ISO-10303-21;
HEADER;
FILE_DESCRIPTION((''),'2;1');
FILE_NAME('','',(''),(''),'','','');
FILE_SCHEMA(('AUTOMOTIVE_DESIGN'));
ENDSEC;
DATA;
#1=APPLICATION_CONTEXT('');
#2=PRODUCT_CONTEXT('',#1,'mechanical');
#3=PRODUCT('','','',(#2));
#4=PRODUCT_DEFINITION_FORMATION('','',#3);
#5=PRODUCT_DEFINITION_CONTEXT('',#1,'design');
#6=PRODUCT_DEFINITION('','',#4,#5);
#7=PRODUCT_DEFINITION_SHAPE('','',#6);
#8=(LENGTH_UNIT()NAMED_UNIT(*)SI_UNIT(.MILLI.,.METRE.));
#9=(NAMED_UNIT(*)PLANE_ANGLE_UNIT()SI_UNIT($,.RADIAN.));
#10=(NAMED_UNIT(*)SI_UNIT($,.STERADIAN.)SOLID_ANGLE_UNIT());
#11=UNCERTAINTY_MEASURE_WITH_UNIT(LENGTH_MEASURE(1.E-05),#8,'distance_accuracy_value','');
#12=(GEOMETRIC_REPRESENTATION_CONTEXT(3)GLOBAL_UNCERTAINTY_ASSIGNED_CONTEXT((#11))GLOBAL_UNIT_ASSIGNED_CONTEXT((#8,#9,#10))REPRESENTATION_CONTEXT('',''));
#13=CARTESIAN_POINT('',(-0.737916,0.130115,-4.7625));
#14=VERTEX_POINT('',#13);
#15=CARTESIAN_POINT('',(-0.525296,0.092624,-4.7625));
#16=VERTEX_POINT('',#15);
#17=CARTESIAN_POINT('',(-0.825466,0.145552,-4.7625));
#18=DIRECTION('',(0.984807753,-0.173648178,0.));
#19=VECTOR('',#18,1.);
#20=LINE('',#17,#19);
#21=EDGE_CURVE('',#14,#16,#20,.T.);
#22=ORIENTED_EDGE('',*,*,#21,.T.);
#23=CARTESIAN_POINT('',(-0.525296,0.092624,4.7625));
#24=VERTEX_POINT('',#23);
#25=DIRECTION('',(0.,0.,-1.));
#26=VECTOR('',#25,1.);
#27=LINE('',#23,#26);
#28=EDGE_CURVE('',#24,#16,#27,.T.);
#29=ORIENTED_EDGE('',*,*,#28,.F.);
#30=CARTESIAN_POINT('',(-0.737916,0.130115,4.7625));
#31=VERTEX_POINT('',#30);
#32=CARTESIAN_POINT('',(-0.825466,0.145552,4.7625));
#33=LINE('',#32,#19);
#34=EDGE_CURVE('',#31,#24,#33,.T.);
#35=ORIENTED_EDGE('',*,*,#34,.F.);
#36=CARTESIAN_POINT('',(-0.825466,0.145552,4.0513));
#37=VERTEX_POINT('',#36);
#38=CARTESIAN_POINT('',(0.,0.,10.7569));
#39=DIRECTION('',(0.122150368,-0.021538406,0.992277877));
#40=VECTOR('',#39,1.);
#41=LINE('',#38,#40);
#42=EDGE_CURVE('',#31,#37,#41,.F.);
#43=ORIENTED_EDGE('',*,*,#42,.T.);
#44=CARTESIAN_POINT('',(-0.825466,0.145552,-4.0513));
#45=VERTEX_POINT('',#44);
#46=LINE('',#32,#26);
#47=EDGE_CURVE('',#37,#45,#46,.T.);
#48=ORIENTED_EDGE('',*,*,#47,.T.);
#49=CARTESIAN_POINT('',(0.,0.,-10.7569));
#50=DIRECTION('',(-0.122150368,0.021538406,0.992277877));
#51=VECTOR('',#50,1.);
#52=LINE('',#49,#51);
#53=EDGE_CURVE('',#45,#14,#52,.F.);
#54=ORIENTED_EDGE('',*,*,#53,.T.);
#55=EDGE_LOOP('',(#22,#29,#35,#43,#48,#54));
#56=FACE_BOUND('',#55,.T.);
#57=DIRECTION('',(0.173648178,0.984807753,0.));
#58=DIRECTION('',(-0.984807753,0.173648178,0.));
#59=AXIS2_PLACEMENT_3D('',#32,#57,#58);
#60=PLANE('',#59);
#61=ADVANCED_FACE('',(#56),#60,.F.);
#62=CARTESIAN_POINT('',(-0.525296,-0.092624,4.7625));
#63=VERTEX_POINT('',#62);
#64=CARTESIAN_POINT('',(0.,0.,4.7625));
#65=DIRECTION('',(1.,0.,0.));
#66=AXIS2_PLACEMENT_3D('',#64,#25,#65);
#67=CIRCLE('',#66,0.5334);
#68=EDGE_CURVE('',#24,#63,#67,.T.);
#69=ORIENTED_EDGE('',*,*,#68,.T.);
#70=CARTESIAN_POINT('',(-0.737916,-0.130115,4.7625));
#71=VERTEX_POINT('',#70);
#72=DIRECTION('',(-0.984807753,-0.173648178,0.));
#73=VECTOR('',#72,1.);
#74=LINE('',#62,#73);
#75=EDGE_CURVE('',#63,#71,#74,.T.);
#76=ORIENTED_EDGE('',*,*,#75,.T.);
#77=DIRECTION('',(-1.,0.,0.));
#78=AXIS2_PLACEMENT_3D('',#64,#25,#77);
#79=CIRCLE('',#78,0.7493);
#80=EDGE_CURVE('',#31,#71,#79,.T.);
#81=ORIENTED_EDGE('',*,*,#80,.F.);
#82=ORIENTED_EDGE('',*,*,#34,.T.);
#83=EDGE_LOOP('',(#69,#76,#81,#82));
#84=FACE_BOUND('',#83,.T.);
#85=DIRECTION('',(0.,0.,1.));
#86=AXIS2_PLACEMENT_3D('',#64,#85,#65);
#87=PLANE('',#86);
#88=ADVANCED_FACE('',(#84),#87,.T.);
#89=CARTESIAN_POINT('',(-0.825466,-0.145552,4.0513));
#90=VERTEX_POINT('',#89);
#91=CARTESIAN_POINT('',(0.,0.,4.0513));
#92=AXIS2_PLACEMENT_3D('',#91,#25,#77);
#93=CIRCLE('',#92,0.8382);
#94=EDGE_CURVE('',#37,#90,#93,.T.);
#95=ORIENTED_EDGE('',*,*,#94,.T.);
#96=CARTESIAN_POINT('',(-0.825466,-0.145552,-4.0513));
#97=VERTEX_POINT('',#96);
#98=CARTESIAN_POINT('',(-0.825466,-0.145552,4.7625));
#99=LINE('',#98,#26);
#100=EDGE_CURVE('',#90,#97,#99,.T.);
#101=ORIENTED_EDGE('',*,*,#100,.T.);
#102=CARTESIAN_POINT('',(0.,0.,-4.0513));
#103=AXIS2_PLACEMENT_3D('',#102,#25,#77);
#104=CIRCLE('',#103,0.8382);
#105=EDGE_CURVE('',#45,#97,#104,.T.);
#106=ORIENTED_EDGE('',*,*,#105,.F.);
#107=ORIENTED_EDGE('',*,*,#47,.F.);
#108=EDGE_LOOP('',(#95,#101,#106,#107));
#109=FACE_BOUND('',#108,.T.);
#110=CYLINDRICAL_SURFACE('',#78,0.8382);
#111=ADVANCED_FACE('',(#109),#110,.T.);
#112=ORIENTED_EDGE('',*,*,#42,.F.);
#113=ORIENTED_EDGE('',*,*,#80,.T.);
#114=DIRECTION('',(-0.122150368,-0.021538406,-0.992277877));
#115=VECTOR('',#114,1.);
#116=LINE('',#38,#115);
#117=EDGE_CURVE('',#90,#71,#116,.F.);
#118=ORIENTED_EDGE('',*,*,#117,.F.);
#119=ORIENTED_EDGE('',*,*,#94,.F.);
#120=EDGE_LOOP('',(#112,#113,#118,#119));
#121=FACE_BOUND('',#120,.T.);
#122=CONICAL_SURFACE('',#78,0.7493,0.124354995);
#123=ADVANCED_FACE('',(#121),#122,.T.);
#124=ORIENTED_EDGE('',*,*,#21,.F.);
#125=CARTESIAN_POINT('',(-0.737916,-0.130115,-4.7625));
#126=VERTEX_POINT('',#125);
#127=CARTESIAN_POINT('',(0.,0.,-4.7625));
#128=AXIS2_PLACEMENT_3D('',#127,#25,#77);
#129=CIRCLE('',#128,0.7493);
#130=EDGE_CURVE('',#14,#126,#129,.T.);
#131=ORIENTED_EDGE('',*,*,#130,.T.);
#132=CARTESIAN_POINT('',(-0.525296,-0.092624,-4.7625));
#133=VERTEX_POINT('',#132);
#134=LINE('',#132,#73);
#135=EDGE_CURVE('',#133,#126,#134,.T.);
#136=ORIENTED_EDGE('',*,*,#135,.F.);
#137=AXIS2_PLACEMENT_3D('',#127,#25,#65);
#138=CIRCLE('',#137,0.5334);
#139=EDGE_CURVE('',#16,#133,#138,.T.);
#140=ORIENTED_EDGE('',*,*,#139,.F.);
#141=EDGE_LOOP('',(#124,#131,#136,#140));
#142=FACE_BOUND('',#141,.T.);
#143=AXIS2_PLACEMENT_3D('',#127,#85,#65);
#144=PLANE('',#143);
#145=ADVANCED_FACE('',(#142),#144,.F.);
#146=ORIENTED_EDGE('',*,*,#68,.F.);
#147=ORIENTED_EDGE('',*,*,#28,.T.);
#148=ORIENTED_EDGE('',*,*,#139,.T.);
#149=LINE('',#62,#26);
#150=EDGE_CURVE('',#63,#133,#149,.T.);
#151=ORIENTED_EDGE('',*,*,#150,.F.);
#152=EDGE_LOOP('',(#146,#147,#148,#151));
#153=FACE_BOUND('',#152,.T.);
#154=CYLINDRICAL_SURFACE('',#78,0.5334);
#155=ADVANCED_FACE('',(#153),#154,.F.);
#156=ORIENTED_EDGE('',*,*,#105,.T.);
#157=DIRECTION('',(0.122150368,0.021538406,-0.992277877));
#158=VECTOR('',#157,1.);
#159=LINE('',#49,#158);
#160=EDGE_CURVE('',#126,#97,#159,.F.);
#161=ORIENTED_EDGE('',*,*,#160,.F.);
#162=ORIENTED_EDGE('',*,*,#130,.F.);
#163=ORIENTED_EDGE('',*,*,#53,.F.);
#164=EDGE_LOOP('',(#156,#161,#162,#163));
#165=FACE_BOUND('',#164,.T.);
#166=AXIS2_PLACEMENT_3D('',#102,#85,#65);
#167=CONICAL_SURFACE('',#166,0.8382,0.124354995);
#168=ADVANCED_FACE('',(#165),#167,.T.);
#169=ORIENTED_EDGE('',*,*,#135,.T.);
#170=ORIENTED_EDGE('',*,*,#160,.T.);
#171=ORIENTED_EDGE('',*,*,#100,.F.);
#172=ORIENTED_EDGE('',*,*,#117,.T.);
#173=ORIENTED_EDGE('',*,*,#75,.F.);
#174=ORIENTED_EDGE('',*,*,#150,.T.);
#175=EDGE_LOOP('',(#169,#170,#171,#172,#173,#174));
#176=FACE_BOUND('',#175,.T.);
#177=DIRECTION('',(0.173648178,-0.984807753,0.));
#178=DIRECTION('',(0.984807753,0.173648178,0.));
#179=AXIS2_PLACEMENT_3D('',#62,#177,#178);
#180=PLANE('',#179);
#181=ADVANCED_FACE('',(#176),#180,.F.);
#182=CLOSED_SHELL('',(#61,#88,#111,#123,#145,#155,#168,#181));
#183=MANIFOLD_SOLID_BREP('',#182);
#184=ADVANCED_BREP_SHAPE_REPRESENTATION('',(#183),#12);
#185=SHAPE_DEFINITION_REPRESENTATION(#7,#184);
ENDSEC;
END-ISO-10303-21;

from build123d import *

# Parameters (mm, degrees)
EXTRUDE1_DEPTH = 4.7625


with BuildPart() as part:
    # Sketch1 → Extrude1 (new, symmetric)
    with BuildSketch(Plane.XY):
        with BuildLine():
            Line((-0.825465859, 0.145551903), (-0.525296455, 0.092623938))
            ThreePointArc((-0.525296455, 0.092623938), (0.5334, 0), (-0.525296455, -0.092623938))
            Line((-0.525296455, -0.092623938), (-0.825465859, -0.145551903))
            ThreePointArc((-0.825465859, -0.145551903), (0.8382, 0), (-0.825465859, 0.145551903))
        make_face()
    extrude(amount=EXTRUDE1_DEPTH, both=True)

    # Sketch2 → Cut-Revolve1 (revolve, cut)
    with BuildSketch(Plane(origin=(0, 0, 0), x_dir=(0, 0, -1), z_dir=(1, 0, 0))):
        Polygon((4.7625, 0.8382), (4.7625, 0.7493), (4.0513, 0.8382), align=None)
        Polygon((-4.0513, 0.8382), (-4.7625, 0.8382), (-4.7625, 0.7493), align=None)
    revolve(axis=Axis((0, 0, -4.7625), (0, 0, 1)), mode=Mode.SUBTRACT)


solid = part.part
